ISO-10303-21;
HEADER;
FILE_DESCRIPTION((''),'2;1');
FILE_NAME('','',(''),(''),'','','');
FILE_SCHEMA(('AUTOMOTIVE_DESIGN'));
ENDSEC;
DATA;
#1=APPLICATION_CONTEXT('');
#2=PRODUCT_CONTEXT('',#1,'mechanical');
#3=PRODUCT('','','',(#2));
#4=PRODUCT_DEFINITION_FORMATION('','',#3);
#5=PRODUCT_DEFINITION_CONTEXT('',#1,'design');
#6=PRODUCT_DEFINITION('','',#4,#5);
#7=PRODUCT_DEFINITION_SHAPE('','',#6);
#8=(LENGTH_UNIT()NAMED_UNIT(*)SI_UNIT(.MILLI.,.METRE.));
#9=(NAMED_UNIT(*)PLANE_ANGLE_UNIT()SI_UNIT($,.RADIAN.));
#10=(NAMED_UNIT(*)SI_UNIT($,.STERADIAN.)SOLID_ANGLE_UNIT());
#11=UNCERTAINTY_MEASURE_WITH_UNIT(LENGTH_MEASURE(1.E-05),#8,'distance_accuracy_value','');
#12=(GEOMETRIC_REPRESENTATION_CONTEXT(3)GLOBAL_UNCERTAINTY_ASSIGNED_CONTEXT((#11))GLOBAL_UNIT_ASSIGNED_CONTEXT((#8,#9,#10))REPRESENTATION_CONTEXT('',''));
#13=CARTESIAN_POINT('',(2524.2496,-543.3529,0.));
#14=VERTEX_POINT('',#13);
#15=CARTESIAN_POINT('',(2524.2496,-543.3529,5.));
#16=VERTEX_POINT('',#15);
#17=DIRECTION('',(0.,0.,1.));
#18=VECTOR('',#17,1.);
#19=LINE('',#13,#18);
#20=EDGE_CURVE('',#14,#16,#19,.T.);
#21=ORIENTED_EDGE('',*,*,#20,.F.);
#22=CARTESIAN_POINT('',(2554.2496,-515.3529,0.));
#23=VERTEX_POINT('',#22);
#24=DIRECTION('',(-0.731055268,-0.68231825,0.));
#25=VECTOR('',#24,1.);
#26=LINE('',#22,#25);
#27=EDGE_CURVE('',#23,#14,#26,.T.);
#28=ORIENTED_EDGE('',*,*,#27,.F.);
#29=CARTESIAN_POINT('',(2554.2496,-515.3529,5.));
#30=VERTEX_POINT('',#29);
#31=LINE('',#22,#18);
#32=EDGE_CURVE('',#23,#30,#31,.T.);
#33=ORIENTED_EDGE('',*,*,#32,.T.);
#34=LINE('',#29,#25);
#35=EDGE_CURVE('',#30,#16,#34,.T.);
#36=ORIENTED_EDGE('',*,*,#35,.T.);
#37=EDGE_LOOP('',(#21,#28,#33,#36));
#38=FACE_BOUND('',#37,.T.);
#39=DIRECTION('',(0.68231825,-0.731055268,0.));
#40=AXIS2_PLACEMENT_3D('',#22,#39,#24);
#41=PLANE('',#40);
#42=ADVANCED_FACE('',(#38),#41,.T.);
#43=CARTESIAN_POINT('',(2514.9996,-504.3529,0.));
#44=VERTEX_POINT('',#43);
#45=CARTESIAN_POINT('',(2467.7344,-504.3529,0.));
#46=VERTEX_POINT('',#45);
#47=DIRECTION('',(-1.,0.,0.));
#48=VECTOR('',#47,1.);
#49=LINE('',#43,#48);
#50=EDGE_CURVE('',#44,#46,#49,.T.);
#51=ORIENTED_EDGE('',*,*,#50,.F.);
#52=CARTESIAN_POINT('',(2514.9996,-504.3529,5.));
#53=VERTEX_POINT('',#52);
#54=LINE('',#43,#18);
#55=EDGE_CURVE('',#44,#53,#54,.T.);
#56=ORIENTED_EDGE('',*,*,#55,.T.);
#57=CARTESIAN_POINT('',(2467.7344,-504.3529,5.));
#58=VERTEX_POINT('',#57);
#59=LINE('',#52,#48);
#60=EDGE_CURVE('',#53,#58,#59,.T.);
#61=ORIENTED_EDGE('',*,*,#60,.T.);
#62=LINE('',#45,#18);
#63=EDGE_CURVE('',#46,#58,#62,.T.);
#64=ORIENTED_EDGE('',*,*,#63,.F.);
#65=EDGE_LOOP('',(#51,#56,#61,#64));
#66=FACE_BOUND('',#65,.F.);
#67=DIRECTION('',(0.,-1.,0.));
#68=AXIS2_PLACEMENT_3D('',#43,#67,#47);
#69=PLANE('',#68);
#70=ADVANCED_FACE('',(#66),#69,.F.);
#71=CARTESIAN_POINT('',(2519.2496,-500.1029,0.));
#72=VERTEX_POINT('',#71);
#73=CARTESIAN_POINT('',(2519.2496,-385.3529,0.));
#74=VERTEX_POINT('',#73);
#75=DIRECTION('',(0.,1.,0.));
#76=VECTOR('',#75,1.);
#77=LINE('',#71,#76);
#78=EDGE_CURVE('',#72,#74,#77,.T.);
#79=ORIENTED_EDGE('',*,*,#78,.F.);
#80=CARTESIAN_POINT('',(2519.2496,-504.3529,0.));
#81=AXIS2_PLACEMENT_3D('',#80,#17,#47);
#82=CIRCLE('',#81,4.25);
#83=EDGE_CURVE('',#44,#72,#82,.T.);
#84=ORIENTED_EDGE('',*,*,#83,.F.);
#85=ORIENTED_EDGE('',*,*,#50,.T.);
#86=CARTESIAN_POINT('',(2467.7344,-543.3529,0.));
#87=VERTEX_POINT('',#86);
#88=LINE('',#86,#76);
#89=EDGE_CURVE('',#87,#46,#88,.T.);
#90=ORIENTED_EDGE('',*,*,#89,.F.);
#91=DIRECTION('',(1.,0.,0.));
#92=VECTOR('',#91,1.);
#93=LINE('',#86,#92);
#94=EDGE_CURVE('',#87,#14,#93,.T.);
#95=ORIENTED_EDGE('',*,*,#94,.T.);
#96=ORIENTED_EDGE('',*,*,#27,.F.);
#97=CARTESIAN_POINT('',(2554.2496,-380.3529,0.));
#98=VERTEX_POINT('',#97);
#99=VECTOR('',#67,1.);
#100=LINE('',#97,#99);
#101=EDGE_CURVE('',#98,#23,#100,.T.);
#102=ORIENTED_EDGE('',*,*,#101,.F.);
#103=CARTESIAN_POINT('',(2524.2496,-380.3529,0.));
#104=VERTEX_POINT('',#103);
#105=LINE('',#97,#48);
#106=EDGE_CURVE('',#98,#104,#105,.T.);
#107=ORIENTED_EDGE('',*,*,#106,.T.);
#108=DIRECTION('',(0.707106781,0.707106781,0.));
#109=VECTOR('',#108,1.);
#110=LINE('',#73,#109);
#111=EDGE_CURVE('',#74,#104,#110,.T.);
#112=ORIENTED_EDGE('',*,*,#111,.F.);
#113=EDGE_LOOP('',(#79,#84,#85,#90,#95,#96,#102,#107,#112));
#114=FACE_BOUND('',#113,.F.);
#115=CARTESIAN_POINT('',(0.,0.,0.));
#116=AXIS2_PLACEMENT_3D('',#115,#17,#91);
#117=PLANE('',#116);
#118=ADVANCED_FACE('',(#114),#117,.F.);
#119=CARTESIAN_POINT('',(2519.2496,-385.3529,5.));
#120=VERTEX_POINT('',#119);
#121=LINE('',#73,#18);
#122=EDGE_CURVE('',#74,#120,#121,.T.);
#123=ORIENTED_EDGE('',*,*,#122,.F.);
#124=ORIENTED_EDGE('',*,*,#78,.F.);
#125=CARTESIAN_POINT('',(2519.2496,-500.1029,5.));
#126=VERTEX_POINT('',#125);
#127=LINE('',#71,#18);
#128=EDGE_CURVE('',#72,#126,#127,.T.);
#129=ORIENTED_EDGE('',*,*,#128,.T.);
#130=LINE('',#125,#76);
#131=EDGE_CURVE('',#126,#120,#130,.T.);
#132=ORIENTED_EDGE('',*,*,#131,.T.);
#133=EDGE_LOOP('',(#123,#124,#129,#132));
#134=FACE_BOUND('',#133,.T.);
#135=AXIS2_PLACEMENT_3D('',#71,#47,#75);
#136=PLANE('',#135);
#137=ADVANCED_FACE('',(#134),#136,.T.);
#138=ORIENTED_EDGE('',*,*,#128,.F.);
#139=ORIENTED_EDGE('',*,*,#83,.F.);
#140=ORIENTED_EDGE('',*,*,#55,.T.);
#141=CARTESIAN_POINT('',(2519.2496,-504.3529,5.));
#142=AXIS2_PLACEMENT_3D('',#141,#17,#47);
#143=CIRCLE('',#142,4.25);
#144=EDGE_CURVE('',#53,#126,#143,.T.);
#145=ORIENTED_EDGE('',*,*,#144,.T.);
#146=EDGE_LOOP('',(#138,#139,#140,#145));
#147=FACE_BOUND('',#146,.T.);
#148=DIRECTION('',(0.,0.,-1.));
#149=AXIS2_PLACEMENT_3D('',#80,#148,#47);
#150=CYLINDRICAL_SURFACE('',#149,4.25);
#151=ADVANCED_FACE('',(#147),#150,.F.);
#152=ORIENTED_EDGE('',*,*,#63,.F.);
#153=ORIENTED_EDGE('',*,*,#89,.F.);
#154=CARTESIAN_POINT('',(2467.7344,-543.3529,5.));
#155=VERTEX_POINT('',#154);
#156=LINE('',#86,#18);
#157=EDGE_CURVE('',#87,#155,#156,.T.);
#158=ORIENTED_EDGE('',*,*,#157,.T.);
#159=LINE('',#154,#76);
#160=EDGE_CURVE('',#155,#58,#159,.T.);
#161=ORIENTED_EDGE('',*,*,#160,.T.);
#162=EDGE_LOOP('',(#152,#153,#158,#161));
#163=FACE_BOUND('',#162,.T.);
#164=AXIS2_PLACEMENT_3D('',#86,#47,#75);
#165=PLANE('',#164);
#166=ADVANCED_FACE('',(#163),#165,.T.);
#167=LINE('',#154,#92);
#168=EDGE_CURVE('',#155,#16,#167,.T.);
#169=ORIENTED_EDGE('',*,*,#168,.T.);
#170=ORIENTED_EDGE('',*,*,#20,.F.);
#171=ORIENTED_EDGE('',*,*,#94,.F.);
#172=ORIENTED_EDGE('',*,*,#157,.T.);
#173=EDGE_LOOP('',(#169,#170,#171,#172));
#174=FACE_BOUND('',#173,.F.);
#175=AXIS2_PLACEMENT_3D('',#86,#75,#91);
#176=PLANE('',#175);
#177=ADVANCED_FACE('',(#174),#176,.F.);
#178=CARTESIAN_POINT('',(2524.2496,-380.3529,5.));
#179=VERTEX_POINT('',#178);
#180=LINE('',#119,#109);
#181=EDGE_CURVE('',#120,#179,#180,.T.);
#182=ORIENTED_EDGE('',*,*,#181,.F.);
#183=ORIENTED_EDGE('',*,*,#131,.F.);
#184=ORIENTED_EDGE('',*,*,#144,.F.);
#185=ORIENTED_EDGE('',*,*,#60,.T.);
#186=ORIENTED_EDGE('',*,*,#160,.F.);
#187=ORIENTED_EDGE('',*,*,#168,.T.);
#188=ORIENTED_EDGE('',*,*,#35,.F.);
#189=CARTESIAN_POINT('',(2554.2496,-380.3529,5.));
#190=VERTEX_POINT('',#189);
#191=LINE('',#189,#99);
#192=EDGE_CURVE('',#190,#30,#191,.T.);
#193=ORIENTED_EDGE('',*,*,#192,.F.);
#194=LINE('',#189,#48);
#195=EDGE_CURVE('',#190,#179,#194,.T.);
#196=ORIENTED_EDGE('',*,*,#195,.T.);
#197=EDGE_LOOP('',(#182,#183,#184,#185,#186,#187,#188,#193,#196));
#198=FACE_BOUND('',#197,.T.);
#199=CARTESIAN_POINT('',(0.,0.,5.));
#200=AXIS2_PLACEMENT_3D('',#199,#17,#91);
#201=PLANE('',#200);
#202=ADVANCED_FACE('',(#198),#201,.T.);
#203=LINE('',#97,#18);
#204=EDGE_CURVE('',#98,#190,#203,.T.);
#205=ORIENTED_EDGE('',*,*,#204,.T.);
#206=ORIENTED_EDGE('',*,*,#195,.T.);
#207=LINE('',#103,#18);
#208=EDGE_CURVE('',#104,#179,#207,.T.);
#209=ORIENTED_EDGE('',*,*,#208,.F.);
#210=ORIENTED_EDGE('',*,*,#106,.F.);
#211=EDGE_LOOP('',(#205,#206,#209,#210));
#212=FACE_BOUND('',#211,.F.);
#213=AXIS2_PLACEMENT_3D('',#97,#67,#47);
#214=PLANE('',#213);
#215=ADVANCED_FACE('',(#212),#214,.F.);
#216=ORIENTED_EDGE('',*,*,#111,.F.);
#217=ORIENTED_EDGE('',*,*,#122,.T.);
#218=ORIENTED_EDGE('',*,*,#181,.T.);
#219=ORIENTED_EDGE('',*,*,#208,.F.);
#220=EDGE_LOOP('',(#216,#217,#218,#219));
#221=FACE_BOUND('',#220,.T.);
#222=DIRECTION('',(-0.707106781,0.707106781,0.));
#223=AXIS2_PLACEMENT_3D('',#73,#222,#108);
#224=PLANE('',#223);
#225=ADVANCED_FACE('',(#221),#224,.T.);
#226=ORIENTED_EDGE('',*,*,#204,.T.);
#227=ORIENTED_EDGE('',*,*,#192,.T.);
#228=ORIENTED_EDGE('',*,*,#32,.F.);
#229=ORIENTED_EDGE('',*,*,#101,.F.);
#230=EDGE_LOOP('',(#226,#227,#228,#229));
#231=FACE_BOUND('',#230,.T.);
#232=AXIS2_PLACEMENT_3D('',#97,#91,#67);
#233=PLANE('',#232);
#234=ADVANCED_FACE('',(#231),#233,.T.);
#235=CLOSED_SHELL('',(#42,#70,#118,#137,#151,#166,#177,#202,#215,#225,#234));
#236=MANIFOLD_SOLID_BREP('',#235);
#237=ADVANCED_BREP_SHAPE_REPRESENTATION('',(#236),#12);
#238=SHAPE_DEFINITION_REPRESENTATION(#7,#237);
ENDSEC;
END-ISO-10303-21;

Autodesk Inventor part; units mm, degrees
ref_plane "YZ Plane" through (0, 0, 0) normal (1, 0, 0) x (0, 1, 0)
ref_plane "XZ Plane" through (0, 0, 0) normal (0, 1, 0) x (-1, 0, 0)
ref_plane "XY Plane" through (0, 0, 0) normal (0, 0, 1) x (1, 0, 0)
sketch "Sketch1" plane through (0, 0, 0) normal (0, 0, 1) x (1, 0, 0)
  line L0 (2519.2496, -500.1029) -> (2519.2496, -385.3529)
  line L1 (2554.2496, -380.3529) -> (2524.2496, -380.3529)
  line L2 (2554.2496, -380.3529) -> (2554.2496, -515.3529)
  line L3 (2467.7344, -543.3529) -> (2524.2496, -543.3529)
  line L4 (2554.2496, -515.3529) -> (2524.2496, -543.3529)
  line L5 (2514.9996, -504.3529) -> (2467.7344, -504.3529)
  line L6 (2467.7344, -543.3529) -> (2467.7344, -504.3529)
  line L7 (2521.7496, -380.3529) -> (2519.2496, -384.3529)
  arc A0 (2514.9996, -504.3529) -> (2519.2496, -500.1029) centre (2519.2496, -504.3529) ccw
  line L8 (2519.2496, -385.3529) -> (2524.2496, -380.3529)
  point P0 (0, 0)
  point P1 (2519.2496, -380.3529)
  dimension "d1" = 35
  dimension "d3" = 135
  dimension "d5" = 163
  dimension "d7" = 51.5152
  dimension "d9" = 39
  dimension "d11" = 56.5152
  dimension "d13" = 8.5
  dimension "d16" = 5
  dimension "d17" = 5
extrude "Extrusion1" add sketch "Sketch1" along normal blind 5
equation "\"d17\" = d16"
properties part number "ADSK-MH-10038" material "Steel, Mild"
